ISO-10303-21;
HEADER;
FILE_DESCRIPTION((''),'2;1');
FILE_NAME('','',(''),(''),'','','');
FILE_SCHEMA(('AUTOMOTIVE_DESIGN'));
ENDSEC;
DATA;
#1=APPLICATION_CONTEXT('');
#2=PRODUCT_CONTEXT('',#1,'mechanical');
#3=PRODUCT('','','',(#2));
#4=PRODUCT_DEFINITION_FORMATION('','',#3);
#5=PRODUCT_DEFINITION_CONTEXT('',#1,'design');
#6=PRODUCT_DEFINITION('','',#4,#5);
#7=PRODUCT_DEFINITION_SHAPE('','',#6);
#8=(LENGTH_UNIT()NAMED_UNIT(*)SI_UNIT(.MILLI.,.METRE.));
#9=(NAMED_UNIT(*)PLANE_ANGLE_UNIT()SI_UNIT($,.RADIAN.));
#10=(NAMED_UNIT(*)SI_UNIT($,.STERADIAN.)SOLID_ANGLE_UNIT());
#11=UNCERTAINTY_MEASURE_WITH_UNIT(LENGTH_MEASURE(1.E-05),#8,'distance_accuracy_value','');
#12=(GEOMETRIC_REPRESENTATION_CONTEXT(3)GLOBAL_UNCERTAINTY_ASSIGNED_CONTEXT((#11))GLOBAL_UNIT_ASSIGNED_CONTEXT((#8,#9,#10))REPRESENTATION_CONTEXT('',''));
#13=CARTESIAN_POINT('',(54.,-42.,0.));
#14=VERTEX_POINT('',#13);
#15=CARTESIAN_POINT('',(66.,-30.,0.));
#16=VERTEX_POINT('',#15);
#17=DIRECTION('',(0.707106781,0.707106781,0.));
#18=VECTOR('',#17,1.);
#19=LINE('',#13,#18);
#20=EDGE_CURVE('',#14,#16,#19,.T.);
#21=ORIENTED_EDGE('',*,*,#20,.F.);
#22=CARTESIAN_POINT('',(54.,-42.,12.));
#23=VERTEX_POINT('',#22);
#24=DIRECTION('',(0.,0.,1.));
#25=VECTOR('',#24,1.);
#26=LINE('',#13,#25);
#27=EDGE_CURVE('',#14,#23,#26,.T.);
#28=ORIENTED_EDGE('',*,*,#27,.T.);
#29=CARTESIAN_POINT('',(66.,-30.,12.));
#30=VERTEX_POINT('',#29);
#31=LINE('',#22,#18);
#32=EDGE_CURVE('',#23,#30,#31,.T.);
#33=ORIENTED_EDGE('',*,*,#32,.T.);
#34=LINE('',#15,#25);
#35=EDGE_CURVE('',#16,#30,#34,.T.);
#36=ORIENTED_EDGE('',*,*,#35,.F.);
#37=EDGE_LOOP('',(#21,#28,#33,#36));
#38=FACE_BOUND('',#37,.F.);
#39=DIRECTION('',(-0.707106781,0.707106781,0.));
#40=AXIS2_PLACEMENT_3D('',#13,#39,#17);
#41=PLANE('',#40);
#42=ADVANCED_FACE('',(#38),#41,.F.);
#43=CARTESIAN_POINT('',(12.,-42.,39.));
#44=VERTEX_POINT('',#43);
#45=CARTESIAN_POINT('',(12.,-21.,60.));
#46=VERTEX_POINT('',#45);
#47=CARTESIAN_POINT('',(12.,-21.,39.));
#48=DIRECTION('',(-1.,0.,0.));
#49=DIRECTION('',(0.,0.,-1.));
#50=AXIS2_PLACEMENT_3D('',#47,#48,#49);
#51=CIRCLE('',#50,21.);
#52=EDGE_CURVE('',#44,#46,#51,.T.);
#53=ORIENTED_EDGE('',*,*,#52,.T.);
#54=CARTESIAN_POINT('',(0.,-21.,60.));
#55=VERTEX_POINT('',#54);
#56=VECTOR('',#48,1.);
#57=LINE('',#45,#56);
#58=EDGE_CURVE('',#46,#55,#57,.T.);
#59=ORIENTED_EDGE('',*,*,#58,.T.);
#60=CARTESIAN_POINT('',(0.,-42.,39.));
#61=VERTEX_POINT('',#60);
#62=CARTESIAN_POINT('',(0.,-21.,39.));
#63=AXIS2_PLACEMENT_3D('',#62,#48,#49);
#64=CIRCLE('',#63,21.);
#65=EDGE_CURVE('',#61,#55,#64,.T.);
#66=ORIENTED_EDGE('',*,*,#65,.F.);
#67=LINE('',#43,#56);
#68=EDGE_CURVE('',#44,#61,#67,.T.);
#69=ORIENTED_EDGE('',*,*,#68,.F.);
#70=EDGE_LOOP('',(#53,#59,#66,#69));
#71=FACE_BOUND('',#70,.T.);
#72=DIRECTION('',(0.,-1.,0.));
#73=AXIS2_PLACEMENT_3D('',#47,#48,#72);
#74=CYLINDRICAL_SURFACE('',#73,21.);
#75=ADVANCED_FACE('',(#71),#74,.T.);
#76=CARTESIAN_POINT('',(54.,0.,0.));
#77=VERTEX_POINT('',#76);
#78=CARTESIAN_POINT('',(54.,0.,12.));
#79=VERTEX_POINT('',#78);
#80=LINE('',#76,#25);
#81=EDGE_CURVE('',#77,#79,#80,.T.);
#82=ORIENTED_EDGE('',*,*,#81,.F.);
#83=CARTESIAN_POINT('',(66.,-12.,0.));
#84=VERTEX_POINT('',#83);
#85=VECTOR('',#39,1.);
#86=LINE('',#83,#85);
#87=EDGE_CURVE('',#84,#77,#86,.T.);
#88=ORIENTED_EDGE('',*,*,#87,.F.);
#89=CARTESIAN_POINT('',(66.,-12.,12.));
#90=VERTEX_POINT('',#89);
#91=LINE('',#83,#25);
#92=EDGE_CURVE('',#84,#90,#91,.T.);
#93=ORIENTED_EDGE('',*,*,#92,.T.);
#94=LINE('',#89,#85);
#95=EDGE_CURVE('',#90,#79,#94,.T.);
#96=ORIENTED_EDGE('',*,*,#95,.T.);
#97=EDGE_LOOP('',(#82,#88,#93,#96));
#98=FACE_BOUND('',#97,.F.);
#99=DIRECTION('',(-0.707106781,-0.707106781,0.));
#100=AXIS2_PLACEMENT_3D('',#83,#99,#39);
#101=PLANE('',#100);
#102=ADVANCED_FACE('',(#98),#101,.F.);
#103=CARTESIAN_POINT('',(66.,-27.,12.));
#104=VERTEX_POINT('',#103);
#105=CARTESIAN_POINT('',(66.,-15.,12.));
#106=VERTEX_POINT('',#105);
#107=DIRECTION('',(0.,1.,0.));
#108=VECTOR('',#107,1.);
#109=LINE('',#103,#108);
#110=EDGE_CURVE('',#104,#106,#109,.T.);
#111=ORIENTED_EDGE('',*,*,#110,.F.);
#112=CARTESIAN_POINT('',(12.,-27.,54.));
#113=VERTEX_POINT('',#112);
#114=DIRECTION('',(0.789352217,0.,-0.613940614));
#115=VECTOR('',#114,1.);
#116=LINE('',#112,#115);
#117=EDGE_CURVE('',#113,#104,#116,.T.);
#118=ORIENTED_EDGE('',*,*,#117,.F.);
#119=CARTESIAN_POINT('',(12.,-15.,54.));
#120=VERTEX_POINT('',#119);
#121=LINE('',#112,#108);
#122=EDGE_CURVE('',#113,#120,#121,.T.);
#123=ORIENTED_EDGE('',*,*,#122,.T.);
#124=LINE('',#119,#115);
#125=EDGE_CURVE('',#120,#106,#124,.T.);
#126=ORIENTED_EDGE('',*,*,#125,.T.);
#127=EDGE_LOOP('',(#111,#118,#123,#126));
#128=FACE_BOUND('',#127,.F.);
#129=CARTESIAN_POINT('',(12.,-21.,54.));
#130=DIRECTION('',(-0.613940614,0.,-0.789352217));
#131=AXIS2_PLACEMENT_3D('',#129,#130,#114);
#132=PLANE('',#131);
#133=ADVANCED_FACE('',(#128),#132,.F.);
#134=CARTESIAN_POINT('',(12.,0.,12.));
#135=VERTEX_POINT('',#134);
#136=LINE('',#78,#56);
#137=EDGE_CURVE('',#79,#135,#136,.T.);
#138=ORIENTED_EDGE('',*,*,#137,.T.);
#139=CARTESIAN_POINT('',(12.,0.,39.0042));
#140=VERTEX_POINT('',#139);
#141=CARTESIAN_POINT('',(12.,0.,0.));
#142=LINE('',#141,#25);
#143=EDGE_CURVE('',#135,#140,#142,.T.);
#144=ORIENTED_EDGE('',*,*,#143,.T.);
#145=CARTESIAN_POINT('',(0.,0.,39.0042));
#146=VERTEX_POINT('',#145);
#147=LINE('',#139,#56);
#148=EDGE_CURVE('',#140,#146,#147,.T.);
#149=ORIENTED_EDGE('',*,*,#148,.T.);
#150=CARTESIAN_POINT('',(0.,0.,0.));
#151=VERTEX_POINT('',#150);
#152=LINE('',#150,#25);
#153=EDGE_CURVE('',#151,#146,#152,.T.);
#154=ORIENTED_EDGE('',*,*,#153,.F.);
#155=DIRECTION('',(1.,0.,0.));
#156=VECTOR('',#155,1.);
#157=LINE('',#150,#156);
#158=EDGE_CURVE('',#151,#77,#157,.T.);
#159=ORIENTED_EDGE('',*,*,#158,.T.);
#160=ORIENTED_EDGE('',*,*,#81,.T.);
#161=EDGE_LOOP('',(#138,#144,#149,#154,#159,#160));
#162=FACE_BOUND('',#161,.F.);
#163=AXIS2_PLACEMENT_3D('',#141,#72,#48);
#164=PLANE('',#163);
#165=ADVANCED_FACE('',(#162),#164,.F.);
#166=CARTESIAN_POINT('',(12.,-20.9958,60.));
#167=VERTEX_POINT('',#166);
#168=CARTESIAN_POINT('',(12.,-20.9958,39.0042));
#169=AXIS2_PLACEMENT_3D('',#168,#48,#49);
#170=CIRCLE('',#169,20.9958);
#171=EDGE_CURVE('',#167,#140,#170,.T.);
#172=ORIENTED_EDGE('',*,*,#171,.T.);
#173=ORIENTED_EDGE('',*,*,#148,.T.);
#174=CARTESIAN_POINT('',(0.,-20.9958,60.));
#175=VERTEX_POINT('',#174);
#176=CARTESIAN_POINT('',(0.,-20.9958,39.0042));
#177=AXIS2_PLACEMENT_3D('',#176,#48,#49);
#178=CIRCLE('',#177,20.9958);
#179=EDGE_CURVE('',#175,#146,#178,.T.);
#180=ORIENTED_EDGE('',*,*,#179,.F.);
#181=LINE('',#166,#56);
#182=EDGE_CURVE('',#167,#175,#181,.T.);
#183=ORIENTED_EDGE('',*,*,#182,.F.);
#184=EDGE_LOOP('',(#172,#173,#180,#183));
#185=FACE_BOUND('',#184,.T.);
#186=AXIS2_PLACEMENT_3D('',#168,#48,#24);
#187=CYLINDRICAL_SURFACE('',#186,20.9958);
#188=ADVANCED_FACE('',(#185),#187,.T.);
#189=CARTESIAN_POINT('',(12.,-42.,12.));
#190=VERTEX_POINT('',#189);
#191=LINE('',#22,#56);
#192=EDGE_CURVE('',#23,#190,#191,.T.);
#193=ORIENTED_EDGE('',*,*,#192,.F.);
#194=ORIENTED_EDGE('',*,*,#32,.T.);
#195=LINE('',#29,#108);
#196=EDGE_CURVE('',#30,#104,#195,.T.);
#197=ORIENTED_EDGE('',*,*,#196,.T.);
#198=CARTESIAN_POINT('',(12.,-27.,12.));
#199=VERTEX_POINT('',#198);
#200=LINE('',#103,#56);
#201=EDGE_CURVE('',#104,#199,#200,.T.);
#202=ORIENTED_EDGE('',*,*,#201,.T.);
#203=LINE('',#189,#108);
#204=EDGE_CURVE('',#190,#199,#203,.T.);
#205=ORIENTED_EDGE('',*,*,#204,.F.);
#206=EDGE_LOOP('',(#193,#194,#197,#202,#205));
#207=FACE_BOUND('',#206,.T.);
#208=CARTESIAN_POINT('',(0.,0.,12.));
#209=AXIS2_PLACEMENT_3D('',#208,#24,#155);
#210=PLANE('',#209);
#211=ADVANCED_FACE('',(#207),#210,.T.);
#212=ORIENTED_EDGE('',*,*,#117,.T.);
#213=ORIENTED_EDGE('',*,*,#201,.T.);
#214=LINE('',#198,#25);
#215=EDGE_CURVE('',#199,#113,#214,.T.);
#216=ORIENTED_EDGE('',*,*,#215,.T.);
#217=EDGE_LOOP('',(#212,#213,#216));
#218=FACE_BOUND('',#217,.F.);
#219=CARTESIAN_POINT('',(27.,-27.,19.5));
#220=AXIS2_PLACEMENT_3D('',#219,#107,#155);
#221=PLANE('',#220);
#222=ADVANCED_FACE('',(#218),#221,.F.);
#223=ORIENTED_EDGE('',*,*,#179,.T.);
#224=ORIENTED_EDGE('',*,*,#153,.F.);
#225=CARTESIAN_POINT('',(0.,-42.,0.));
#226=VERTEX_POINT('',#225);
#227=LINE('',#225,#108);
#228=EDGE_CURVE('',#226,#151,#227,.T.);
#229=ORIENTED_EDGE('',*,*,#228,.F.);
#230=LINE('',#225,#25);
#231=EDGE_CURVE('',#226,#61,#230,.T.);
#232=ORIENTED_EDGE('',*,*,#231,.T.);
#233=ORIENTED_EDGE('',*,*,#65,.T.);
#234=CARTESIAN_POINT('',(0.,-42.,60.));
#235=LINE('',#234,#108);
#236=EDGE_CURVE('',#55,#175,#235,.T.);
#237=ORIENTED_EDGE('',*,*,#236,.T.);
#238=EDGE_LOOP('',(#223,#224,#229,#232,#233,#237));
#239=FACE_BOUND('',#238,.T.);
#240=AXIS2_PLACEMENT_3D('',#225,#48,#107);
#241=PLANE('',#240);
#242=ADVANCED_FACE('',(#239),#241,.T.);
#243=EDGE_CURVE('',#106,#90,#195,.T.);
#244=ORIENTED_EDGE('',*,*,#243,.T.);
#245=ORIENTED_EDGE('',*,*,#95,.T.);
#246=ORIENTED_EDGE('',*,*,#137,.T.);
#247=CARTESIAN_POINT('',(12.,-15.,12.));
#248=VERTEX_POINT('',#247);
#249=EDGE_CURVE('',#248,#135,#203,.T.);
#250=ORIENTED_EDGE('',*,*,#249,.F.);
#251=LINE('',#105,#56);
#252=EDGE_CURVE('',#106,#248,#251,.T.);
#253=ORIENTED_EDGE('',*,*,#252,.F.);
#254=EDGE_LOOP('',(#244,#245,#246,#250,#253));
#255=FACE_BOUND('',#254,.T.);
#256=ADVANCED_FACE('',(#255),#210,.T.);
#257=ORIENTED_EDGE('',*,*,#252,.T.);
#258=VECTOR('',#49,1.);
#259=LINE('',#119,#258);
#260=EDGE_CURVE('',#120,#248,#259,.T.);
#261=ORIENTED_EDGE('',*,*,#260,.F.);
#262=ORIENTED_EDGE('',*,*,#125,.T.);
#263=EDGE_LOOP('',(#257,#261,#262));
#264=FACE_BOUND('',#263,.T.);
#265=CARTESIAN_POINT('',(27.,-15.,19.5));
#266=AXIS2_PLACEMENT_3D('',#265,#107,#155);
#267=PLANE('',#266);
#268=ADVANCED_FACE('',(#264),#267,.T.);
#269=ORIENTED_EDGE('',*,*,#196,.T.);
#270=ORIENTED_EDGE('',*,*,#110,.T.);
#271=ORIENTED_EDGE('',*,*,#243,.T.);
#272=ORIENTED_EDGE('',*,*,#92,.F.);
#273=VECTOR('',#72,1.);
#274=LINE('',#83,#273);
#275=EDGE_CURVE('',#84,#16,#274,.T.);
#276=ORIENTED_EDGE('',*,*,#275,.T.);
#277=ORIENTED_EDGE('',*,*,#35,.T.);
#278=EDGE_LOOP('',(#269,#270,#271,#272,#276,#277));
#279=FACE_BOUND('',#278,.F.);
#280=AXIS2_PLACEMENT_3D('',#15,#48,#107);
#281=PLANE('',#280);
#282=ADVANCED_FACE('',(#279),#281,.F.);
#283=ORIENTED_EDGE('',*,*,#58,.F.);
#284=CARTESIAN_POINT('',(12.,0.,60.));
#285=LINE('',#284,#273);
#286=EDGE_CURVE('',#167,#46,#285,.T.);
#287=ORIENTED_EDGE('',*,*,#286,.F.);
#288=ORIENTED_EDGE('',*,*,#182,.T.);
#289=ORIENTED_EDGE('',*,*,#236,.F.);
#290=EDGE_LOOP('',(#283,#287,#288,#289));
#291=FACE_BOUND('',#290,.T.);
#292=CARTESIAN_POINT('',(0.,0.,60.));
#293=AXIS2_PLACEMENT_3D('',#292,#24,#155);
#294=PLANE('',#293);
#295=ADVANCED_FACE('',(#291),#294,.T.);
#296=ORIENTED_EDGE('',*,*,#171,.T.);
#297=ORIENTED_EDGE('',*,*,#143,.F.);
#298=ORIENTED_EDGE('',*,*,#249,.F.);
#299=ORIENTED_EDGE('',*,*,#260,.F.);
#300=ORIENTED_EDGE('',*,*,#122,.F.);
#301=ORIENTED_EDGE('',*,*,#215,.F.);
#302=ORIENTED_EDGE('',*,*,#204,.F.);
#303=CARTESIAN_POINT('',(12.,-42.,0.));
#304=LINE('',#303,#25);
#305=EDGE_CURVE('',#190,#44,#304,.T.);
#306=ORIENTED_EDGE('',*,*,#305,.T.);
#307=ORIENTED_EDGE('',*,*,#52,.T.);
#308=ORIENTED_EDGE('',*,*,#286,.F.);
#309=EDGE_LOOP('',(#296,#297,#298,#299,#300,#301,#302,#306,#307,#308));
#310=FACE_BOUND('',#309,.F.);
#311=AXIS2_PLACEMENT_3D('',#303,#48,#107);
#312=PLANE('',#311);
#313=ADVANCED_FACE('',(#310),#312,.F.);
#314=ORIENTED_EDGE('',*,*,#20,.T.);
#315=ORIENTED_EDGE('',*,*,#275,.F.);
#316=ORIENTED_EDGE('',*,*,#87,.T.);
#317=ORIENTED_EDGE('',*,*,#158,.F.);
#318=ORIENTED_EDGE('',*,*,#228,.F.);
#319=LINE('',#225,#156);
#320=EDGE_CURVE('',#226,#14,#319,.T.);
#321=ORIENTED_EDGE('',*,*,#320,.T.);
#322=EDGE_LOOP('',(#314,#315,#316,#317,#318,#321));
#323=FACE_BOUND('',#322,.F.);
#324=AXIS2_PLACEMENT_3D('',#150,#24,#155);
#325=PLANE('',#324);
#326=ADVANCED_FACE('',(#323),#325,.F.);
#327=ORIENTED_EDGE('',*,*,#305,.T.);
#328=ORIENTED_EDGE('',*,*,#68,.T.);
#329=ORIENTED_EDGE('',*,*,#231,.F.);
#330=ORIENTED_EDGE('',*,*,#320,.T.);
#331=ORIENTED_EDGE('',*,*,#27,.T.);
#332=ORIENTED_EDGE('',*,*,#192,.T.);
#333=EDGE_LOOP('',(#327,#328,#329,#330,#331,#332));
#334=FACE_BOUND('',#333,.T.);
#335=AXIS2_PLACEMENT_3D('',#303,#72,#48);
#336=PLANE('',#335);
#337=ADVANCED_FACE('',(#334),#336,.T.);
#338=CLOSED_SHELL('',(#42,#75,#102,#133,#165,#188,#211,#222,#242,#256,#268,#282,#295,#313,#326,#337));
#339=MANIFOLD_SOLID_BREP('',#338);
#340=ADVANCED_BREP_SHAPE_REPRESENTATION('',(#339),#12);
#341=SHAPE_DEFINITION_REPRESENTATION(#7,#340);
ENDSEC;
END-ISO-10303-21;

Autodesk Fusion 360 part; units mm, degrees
sketch "Sketch1" plane through (0, 0, 0) normal (0, 0, 1) x (1, 0, 0)
  line L0 (54, -42) -> (0, -42)
  line L1 (0, -42) -> (0, 0)
  line L2 (66, -42) -> (54, -42) construction
  line L3 (54, -42) -> (54, -30) construction
  line L4 (54, -30) -> (66, -30) construction
  line L5 (54, -42) -> (66, -30)
  line L6 (54, 0) -> (54, -12) construction
  line L7 (54, -12) -> (66, -12) construction
  line L8 (66, -12) -> (54, 0)
  line L9 (66, -30) -> (66, -12)
  line L10 (66, 0) -> (66, -12) construction
  line L11 (66, -30) -> (66, -42) construction
  line L12 (54, 0) -> (0, 0)
  line L13 (54, 0) -> (66, 0) construction
  line L14 (0, -42) -> (12, -42)
  line L15 (12, -42) -> (12, 0)
  line L16 (12, 0) -> (0, 0)
  line L17 (0, 0) -> (0, -42)
  line L18 (12, -21) -> (12, -15)
  line L19 (12, -15) -> (66, -15)
  line L20 (12, -21) -> (12, -27)
  line L21 (12, -27) -> (66, -27)
  line L22 (12, -21) -> (66, -21)
  dimension "d1" = 42
  dimension "d3" = 12
  dimension "d4" = 12
  dimension "d7" = 54
  dimension "d8" = 12
  dimension "d10" = 12
  dimension "d11" = 6
  dimension "d12" = 6
  dimension "d13" = 66
  dimension "d14" = 42
extrude "Extrude1" add sketch "Sketch1" along normal blind 60 contours L0 L1 L12 L14 L15 L16 L17 L18 L20
extrude "Extrude2" add sketch "Sketch1" along normal blind 12 contours L0 L5 L9 L15 L21 | L9 L15 L20 L21 L22 | L9 L15 L18 L19 L22 | L8 L9 L12 L15 L19
fillet "Fillet1" radius 21 1 edges at (6, -42, 60)
fillet "Fillet2" radius 21 1 edges at (6, 0, 60)
ref_plane "WorkPlane1" through (27, -21, 19.5) normal (0, 1, 0) x (-1, 0, 0)
sketch "Sketch3" plane through (27, -21, 19.5) normal (0, 1, 0) x (1, 0, 0)
  line L0 (-15, -34.5) -> (39, 7.5)
  line L1 (39, 7.5) -> (-15, 7.5)
  line L2 (-15, 7.5) -> (-15, -34.5)
  line L3 (-15, 7.5) -> (27, 7.5)
  line L4 (-15, 7.5) -> (-15, -19.5)
  point P0 (39, 7.5)
  dimension "d21" = 42
extrude "Extrude3" add sketch "Sketch3" along normal blind 6 and the other way blind 6
